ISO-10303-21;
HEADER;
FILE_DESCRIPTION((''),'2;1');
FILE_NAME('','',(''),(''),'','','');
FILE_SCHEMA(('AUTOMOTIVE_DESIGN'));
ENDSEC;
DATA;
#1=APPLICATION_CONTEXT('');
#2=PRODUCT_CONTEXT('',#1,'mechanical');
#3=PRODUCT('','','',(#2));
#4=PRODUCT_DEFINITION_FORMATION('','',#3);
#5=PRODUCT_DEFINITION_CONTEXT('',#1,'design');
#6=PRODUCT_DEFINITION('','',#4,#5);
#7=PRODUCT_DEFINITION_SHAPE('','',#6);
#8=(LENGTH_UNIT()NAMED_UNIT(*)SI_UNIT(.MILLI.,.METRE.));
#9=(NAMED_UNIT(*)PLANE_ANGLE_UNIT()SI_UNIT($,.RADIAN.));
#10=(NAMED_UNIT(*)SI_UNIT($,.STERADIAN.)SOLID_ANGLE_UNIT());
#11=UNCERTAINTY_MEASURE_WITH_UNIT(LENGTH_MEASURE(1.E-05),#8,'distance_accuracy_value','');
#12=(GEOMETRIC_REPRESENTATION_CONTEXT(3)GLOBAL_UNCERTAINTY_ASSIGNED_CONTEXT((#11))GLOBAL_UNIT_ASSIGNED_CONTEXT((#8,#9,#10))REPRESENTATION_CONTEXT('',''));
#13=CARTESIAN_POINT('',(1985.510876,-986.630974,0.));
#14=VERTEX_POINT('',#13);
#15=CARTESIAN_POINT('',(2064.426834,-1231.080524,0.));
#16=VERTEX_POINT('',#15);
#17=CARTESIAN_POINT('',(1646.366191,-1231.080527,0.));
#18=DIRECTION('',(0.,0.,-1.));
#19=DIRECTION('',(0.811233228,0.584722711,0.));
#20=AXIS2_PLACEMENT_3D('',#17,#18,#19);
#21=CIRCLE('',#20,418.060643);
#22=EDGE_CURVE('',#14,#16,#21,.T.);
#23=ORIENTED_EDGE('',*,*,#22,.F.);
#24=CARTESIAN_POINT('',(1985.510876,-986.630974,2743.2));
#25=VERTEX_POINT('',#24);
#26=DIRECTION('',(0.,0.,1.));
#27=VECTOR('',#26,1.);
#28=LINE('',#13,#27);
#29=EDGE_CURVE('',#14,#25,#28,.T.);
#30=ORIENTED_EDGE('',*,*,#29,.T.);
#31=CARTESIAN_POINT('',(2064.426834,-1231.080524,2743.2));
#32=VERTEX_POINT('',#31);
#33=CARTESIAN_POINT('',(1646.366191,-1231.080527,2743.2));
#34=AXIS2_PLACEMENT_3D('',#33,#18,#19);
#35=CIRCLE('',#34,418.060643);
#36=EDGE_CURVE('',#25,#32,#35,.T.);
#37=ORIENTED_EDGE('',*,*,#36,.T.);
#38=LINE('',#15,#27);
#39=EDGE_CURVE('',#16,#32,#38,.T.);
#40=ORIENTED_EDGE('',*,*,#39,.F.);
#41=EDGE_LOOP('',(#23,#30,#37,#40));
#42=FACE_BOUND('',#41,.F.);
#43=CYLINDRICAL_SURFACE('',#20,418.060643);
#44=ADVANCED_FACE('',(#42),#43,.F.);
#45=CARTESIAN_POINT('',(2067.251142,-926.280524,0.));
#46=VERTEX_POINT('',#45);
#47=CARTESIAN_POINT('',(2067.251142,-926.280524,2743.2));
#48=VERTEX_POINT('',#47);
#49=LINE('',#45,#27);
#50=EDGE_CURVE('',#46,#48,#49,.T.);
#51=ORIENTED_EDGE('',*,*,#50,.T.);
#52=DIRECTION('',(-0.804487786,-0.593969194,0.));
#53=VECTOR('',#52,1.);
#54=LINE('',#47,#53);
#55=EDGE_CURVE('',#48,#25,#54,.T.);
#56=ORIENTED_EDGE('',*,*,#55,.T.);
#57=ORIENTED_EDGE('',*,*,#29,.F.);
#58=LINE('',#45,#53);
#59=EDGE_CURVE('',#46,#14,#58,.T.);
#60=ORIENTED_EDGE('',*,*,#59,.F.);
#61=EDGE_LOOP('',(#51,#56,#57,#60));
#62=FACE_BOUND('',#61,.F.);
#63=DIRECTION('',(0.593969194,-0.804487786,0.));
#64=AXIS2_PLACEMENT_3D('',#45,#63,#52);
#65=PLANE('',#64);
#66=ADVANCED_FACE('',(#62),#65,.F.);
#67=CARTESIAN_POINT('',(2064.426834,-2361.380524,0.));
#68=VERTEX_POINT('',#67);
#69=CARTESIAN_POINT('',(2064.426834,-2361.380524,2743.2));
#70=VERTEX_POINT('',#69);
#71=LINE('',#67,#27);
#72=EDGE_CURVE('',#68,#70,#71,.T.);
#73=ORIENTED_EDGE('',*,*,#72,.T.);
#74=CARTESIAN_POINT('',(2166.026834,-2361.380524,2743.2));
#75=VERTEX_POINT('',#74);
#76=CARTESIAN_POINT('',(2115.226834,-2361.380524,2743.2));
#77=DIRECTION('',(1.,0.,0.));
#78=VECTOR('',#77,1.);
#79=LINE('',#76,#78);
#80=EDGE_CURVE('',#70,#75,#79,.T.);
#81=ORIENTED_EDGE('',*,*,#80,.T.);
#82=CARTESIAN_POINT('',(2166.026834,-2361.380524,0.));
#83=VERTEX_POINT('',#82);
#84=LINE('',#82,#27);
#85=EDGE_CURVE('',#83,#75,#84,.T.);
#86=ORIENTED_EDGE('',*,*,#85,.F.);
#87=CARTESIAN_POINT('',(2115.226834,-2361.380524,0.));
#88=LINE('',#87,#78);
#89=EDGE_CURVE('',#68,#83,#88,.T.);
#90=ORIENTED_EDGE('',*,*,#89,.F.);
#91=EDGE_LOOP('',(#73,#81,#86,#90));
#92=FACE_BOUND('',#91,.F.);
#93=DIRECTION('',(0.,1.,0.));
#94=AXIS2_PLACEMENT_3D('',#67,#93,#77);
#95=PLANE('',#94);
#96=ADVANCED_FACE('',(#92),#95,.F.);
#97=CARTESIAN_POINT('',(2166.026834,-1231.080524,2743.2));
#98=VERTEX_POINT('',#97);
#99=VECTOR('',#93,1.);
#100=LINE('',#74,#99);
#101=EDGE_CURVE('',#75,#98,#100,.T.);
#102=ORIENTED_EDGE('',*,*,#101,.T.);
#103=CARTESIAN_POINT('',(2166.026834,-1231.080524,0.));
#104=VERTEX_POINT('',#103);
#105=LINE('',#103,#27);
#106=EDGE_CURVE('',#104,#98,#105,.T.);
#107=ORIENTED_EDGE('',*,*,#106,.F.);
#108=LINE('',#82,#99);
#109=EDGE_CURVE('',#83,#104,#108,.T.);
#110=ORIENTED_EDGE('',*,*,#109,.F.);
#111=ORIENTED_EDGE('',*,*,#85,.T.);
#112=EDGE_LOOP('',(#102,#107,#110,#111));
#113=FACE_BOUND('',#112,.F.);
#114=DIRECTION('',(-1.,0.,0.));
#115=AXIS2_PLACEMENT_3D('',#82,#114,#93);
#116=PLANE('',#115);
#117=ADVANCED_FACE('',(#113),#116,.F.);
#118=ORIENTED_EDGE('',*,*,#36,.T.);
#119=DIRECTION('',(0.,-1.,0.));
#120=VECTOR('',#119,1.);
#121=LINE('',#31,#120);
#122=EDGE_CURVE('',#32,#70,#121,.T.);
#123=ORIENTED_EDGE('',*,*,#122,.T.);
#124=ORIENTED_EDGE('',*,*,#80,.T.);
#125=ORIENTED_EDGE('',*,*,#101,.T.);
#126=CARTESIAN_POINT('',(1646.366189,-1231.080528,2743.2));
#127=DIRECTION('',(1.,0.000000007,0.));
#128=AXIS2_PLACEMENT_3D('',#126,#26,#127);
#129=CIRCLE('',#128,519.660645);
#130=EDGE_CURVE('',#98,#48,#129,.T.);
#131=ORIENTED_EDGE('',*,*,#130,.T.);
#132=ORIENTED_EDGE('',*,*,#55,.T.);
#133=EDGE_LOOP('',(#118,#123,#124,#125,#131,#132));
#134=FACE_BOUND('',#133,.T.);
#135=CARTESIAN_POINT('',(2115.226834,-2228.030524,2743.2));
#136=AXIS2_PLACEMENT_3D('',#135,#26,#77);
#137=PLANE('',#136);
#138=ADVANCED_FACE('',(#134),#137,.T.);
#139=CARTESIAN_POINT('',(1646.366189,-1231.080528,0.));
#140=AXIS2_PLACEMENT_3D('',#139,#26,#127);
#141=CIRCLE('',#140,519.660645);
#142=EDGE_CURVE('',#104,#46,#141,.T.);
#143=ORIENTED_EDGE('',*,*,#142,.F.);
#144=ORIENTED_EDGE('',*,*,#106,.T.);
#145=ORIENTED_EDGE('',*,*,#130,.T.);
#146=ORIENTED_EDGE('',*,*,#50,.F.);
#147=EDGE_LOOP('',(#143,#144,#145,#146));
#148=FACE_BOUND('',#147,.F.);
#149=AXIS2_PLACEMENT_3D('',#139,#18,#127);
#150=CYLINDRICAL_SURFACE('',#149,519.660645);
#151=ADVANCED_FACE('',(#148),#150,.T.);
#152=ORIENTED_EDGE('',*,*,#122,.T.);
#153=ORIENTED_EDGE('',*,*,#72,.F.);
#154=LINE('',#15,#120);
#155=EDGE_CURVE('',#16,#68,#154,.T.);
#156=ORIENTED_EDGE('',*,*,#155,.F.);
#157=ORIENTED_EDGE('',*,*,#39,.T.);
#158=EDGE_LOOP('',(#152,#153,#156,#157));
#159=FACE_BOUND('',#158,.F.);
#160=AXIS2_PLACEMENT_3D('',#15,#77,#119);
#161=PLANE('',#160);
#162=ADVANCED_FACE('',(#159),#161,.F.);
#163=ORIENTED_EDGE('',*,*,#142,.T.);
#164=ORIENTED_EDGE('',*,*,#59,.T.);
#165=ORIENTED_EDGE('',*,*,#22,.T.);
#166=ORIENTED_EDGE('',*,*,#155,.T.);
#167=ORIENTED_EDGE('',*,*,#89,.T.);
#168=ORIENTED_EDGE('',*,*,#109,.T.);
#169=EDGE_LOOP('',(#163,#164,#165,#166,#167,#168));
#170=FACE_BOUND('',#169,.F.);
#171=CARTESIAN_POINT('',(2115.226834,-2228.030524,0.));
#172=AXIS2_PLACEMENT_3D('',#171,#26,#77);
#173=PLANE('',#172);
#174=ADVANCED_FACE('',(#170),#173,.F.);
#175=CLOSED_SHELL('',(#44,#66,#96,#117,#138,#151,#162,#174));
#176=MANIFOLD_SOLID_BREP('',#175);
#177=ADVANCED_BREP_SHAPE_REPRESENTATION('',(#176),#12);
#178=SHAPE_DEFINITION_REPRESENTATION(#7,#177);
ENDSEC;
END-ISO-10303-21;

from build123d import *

# Parameters (mm, degrees)
F0_W     = 101.6
F0_H     = 266.7
F1_DEPTH = 2743.2


with BuildPart() as f1:
    # F0 (on Top) → F1 (new body)
    with BuildSketch(Plane.XY):
        with Locations((2115.226834, -2228.030524)):
            Rectangle(F0_W, F0_H)
        with BuildLine():
            Line((2064.426834, -1485.080524), (2064.426834, -1789.880524))
            Line((2064.426834, -1789.880524), (2064.426834, -2094.680524))
            Line((2064.426834, -2094.680524), (2166.026834, -2094.680524))
            Line((2166.026834, -2094.680524), (2166.026834, -1485.080524))
            Line((2166.026834, -1485.080524), (2166.026834, -1231.080524))
            ThreePointArc((2166.026834, -1231.080524), (2140.716536, -1070.87778), (2067.251142, -926.280524))
            Line((2067.251142, -926.280524), (1985.510876, -986.630974))
            ThreePointArc((1985.510876, -986.630974), (2044.208965, -1102.64444), (2064.426834, -1231.080524))
            Line((2064.426834, -1231.080524), (2064.426834, -1484.892366))
            Line((2064.426834, -1484.892366), (2064.426834, -1485.080524))
        make_face()
    extrude(amount=F1_DEPTH)


solid = f1.part
